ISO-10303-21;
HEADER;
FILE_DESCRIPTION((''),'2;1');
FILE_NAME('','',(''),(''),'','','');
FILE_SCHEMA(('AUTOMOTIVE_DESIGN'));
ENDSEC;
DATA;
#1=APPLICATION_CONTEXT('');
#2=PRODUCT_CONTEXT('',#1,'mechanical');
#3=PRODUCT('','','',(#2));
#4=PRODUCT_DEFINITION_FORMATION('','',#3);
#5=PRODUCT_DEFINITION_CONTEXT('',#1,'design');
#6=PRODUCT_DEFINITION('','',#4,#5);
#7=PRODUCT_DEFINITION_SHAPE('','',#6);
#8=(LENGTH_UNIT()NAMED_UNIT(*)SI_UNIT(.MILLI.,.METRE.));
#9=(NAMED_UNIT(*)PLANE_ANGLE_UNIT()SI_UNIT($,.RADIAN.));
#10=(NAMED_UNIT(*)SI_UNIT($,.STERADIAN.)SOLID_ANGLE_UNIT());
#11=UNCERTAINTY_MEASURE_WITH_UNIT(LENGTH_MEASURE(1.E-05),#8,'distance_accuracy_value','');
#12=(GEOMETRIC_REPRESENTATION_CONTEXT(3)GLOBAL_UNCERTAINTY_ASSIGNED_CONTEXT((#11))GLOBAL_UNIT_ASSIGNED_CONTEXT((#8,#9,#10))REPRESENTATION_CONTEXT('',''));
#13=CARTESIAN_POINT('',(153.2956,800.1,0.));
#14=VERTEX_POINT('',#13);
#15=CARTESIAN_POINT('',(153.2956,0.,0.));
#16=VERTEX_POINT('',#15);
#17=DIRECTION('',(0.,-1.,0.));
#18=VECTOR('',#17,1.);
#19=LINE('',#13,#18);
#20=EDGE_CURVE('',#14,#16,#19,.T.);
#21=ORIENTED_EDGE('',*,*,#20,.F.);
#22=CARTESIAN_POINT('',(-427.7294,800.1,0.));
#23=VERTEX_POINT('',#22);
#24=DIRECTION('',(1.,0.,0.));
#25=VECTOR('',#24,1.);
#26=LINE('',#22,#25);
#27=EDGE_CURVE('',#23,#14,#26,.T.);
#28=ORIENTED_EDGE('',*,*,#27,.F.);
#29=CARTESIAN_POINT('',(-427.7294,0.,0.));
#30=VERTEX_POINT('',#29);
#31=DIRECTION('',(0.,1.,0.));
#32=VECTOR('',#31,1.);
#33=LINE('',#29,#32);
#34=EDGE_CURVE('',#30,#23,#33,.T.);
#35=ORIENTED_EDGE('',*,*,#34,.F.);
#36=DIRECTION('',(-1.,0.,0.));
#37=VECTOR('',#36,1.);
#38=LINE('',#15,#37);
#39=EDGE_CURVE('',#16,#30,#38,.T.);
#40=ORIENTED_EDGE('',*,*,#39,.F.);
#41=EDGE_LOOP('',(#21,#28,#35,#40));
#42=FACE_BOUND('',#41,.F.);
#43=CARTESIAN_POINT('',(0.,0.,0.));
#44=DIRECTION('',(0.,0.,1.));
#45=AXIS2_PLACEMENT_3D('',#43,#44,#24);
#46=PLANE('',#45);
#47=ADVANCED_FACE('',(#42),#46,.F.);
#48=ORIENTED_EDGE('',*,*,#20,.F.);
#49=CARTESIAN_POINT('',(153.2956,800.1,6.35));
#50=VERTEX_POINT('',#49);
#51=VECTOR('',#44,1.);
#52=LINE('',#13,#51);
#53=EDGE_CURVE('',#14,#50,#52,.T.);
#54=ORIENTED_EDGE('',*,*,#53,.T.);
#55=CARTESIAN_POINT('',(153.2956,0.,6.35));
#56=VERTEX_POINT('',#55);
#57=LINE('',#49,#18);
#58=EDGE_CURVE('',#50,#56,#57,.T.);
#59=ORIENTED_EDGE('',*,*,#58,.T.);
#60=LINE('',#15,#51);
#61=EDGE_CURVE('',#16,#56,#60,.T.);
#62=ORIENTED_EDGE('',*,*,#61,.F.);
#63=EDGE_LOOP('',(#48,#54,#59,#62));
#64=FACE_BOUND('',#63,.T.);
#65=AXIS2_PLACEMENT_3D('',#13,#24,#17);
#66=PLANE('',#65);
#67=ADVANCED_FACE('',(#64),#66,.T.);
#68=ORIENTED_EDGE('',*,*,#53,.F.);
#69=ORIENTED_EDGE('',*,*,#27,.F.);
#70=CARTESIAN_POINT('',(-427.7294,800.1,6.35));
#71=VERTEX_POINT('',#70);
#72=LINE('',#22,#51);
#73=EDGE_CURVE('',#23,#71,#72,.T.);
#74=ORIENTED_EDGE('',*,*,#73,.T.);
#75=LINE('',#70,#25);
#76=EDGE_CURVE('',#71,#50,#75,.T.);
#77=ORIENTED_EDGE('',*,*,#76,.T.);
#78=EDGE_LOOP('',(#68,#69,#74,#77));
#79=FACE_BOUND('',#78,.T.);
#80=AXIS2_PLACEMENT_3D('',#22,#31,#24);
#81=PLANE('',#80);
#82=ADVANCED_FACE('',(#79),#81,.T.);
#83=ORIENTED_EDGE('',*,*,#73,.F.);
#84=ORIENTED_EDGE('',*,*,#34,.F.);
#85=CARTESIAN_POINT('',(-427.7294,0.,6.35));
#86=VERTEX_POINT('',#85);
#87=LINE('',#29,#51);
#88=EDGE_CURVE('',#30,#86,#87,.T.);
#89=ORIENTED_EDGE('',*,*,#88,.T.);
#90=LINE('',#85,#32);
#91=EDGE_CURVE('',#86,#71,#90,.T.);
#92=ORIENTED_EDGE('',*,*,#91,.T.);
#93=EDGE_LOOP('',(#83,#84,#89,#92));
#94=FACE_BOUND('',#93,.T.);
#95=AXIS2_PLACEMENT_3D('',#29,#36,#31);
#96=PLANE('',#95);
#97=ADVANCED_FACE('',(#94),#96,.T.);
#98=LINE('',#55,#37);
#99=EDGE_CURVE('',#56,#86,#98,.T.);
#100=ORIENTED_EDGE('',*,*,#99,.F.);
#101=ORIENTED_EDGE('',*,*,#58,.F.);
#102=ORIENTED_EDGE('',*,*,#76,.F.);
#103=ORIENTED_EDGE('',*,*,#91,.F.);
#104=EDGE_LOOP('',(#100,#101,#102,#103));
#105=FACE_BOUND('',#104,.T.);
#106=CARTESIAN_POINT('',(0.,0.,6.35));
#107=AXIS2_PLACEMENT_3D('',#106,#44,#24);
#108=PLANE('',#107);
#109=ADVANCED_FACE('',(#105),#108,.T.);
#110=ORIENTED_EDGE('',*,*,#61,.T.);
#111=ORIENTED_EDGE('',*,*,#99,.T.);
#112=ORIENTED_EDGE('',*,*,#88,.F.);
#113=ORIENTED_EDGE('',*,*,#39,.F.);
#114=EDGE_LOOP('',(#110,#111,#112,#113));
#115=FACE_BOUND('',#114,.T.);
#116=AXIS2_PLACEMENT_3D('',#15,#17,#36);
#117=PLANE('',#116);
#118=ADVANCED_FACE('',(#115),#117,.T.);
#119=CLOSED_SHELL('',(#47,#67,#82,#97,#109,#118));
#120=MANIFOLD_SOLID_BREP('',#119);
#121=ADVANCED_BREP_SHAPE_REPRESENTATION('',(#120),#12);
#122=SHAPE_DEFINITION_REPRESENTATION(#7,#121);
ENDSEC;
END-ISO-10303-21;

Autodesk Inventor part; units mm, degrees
ref_plane "YZ Plane" through (0, 0, 0) normal (1, 0, 0) x (0, 1, 0)
ref_plane "XZ Plane" through (0, 0, 0) normal (0, 1, 0) x (-1, 0, 0)
ref_plane "XY Plane" through (0, 0, 0) normal (0, 0, 1) x (1, 0, 0)
sketch "Sketch1" plane through (0, 0, 0) normal (0, 0, 1) x (1, 0, 0)
  line L0 (153.2956, 0) -> (-427.7294, 0)
  line L1 (-427.7294, 0) -> (-427.7294, 800.1)
  line L2 (-427.7294, 800.1) -> (153.2956, 800.1)
  line L3 (153.2956, 800.1) -> (153.2956, 0)
  point P0 (0, 0)
  dimension "d0" = 800.1
  dimension "d1" = 581.025
extrude "Board" add sketch "Sketch1" along normal blind 6.35
properties part number "Cabinet Back Sheet"
